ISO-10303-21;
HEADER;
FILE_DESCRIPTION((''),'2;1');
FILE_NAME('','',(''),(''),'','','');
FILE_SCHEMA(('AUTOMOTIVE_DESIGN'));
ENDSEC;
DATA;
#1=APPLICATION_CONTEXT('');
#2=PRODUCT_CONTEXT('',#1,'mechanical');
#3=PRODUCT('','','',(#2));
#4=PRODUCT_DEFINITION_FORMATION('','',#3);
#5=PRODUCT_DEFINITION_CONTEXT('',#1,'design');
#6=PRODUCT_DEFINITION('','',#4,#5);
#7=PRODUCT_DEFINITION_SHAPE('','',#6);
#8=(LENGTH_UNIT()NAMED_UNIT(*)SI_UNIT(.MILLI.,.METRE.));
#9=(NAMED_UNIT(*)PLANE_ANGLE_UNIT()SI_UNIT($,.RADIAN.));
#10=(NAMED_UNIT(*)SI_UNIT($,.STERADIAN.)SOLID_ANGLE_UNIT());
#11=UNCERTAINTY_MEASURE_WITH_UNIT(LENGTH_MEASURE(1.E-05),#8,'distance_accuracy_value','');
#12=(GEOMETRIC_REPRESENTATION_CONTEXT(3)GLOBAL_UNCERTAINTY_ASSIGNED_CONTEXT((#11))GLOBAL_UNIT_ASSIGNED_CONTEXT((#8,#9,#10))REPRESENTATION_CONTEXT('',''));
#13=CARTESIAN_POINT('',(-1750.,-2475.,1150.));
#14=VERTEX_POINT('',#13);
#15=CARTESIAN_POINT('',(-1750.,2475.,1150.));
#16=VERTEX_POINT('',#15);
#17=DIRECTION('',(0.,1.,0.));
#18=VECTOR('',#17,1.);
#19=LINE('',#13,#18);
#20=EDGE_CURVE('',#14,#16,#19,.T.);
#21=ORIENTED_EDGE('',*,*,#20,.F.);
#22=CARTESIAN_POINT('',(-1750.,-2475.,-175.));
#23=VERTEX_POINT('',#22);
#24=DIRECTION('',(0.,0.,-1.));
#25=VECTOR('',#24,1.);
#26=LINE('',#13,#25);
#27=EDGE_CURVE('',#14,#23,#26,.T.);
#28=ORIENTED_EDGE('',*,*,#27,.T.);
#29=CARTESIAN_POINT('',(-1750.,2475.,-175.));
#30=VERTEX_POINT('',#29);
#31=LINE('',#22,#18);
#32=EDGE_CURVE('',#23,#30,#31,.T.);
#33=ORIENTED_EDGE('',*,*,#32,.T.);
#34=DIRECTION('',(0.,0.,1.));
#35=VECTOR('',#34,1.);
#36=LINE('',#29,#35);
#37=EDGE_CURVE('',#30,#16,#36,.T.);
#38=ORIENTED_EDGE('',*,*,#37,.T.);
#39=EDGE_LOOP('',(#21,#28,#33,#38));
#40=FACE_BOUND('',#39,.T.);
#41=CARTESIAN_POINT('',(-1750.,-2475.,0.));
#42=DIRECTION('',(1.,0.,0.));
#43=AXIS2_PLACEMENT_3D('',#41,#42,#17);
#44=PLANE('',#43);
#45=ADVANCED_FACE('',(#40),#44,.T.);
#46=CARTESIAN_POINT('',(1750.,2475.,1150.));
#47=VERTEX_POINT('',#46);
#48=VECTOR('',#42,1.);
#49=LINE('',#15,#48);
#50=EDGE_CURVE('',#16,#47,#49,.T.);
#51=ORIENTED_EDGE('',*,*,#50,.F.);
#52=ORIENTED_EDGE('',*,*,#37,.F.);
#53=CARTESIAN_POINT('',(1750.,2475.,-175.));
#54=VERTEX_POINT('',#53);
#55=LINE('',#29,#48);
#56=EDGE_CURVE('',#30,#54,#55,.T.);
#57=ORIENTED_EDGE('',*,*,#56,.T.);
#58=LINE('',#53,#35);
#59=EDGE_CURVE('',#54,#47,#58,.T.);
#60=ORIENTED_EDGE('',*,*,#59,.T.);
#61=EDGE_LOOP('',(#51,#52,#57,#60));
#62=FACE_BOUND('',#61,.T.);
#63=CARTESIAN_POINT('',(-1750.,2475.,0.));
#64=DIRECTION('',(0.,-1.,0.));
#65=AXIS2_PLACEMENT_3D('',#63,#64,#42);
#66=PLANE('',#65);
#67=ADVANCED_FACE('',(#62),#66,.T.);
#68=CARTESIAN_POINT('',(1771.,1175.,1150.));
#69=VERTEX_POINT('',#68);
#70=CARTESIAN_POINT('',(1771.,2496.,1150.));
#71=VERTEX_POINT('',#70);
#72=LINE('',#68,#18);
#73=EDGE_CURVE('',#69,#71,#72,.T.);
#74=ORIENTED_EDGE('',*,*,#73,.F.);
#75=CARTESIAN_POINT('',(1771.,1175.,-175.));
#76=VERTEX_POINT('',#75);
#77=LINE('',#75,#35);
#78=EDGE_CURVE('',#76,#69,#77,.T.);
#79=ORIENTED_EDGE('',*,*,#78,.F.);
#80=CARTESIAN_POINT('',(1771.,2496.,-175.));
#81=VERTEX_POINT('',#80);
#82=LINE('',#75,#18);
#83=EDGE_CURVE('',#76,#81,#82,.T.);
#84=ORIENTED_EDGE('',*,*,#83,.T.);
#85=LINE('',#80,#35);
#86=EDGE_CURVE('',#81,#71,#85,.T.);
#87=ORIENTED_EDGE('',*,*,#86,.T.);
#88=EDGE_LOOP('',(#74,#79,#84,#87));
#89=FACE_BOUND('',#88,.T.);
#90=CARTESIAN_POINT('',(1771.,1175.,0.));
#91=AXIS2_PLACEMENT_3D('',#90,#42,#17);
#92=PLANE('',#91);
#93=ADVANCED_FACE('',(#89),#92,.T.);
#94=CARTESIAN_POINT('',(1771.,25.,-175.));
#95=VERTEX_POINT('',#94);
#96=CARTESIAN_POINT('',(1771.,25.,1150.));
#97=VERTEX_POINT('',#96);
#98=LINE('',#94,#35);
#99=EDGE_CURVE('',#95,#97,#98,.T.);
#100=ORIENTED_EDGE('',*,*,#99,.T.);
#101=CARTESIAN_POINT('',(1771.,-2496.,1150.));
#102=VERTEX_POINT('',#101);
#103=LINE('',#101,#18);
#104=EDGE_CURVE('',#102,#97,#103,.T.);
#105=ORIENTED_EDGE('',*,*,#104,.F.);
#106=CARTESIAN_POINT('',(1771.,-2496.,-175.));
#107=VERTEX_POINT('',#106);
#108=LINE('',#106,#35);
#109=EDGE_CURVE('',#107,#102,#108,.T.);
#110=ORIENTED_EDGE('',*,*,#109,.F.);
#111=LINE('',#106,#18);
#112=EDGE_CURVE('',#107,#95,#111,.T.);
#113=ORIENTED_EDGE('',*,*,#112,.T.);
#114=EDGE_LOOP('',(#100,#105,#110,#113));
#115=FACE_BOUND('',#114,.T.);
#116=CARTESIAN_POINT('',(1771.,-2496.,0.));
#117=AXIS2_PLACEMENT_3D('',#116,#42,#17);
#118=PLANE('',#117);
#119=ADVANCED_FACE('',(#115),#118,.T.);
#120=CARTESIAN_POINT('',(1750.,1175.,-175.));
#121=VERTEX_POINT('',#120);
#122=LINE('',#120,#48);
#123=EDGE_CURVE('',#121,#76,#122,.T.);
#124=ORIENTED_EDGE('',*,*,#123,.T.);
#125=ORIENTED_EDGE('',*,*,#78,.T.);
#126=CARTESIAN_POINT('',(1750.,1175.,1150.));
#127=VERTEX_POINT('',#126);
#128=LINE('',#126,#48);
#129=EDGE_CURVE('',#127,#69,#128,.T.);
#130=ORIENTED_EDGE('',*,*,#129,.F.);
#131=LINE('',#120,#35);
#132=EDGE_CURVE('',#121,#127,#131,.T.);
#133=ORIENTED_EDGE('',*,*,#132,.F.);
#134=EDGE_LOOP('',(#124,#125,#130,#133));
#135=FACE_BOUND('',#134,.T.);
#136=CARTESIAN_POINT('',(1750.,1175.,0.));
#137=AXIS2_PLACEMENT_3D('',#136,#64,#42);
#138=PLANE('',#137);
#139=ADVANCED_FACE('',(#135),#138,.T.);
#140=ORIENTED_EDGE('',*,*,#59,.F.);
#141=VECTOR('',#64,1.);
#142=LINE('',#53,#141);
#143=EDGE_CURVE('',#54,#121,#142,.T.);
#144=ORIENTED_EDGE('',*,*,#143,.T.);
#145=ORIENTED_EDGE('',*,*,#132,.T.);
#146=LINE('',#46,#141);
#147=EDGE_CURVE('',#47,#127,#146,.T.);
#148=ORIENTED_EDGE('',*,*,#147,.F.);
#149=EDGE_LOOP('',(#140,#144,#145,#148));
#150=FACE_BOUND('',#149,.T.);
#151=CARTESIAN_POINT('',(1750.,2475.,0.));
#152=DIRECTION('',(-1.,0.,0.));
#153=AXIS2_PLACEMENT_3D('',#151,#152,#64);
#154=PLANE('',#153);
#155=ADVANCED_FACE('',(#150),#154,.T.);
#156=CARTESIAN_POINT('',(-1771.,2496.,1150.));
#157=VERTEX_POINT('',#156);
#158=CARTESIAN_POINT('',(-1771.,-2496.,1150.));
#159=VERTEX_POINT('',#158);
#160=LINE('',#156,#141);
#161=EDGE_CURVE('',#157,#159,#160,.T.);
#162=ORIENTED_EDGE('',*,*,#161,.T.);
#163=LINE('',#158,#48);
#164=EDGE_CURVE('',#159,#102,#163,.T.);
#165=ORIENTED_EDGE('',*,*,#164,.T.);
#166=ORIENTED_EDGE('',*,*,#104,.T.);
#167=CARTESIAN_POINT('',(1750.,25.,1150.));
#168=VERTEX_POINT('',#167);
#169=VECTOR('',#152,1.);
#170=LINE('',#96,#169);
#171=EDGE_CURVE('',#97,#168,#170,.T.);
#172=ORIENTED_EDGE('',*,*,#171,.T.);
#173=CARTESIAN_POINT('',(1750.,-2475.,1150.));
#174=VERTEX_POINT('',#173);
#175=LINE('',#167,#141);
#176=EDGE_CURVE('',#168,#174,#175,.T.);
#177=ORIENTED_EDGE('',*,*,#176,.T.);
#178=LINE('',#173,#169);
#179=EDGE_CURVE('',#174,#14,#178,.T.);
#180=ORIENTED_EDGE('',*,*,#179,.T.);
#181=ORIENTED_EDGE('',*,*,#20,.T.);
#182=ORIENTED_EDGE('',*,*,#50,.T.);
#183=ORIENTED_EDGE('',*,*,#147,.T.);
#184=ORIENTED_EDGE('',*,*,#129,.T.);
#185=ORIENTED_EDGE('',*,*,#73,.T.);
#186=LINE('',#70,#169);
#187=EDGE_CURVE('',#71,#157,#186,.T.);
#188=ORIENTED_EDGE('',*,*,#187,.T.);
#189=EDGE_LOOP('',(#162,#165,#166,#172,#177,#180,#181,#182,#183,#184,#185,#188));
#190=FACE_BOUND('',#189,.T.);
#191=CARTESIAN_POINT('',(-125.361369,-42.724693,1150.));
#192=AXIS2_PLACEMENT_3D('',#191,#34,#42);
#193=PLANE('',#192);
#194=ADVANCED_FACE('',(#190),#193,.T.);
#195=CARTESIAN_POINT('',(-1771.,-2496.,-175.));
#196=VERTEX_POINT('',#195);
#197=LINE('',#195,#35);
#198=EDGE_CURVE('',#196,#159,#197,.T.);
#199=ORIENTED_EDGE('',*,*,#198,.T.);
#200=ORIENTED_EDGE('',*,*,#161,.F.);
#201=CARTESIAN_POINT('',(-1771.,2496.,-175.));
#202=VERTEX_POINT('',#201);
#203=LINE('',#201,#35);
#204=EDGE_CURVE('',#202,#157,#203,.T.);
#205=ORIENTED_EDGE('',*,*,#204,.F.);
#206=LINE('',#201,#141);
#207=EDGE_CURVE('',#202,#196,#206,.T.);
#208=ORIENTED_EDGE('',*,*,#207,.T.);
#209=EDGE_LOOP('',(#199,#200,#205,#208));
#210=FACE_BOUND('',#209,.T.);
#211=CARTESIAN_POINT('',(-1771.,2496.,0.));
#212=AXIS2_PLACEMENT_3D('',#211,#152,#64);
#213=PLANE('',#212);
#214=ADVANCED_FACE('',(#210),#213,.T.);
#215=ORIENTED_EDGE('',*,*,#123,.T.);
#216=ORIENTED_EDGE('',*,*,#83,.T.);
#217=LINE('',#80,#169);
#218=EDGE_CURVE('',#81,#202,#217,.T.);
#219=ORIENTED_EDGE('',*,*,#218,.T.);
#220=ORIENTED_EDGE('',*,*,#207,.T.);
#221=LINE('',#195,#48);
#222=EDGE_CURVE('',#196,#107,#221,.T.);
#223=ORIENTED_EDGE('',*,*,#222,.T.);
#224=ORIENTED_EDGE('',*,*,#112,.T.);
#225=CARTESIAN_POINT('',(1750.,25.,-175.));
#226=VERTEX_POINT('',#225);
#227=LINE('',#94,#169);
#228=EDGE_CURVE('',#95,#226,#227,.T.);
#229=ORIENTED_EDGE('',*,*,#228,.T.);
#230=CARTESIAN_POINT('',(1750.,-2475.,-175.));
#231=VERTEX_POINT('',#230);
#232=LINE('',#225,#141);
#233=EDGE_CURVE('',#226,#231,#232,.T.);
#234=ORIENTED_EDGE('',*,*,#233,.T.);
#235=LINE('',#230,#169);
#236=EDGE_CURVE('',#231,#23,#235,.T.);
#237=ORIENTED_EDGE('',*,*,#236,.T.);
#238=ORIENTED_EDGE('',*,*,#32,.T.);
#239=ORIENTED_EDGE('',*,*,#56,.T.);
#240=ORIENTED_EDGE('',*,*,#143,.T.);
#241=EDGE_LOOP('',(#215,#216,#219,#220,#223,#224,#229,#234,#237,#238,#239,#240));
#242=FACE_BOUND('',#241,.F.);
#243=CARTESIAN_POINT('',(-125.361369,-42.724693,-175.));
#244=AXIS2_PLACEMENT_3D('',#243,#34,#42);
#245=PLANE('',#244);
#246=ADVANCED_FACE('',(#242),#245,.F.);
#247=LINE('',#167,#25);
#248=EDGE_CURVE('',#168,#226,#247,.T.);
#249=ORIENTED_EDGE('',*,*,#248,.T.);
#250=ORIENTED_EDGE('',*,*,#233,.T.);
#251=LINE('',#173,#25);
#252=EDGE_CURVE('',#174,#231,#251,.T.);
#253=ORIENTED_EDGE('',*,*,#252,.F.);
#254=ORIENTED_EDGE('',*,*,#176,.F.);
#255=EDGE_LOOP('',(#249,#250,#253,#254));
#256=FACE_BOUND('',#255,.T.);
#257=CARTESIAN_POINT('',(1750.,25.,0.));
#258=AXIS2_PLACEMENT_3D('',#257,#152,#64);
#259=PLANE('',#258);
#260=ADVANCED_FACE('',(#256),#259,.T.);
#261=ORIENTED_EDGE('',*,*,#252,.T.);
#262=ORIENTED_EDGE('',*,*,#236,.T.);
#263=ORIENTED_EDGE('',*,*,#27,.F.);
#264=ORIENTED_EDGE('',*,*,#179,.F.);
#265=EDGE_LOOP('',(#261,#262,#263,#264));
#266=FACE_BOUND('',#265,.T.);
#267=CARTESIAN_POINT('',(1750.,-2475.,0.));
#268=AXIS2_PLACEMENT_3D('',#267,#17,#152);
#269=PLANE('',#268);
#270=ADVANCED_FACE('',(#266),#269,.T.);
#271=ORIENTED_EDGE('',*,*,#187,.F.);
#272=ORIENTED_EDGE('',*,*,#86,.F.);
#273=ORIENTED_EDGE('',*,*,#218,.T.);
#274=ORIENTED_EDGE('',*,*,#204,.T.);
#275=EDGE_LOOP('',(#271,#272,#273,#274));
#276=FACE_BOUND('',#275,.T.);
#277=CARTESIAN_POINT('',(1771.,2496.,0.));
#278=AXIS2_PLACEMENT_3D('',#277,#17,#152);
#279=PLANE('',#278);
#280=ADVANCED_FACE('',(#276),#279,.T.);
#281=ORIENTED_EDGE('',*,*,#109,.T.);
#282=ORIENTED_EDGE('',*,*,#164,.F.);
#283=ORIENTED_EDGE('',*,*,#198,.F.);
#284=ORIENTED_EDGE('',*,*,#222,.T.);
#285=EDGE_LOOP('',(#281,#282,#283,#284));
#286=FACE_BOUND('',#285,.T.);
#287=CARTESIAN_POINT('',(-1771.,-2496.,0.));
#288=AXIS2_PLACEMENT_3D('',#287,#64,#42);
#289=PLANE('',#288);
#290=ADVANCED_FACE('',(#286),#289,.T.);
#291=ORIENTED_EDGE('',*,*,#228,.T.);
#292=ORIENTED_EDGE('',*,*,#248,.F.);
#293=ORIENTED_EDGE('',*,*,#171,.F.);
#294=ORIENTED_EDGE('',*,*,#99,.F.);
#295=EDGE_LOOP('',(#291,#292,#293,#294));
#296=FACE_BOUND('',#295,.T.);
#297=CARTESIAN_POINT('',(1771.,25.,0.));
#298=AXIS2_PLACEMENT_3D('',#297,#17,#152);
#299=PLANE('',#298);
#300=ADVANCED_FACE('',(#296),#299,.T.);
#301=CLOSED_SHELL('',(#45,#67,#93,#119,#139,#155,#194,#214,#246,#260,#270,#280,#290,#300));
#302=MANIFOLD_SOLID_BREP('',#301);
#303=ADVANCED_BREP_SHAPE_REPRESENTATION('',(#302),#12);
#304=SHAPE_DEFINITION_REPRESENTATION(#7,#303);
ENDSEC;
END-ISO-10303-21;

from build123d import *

# Parameters (mm, degrees)
F1_DEPTH      = 1150
F1_DEPTH_BACK = 175


with BuildPart() as f1:
    # F0 (on Top) → F1 (new body, two sides)
    with BuildSketch(Plane.XY) as f1_sk:
        Polygon((-1750, -2475), (-1750, 2475), (1750, 2475), (1750, 1175), (1771, 1175), (1771, 2496), (-1771, 2496), (-1771, -2496), (1771, -2496), (1771, 25), (1750, 25), (1750, -2475), align=None)
    extrude(amount=F1_DEPTH)
    extrude(f1_sk.sketch, amount=-F1_DEPTH_BACK)


solid = f1.part
